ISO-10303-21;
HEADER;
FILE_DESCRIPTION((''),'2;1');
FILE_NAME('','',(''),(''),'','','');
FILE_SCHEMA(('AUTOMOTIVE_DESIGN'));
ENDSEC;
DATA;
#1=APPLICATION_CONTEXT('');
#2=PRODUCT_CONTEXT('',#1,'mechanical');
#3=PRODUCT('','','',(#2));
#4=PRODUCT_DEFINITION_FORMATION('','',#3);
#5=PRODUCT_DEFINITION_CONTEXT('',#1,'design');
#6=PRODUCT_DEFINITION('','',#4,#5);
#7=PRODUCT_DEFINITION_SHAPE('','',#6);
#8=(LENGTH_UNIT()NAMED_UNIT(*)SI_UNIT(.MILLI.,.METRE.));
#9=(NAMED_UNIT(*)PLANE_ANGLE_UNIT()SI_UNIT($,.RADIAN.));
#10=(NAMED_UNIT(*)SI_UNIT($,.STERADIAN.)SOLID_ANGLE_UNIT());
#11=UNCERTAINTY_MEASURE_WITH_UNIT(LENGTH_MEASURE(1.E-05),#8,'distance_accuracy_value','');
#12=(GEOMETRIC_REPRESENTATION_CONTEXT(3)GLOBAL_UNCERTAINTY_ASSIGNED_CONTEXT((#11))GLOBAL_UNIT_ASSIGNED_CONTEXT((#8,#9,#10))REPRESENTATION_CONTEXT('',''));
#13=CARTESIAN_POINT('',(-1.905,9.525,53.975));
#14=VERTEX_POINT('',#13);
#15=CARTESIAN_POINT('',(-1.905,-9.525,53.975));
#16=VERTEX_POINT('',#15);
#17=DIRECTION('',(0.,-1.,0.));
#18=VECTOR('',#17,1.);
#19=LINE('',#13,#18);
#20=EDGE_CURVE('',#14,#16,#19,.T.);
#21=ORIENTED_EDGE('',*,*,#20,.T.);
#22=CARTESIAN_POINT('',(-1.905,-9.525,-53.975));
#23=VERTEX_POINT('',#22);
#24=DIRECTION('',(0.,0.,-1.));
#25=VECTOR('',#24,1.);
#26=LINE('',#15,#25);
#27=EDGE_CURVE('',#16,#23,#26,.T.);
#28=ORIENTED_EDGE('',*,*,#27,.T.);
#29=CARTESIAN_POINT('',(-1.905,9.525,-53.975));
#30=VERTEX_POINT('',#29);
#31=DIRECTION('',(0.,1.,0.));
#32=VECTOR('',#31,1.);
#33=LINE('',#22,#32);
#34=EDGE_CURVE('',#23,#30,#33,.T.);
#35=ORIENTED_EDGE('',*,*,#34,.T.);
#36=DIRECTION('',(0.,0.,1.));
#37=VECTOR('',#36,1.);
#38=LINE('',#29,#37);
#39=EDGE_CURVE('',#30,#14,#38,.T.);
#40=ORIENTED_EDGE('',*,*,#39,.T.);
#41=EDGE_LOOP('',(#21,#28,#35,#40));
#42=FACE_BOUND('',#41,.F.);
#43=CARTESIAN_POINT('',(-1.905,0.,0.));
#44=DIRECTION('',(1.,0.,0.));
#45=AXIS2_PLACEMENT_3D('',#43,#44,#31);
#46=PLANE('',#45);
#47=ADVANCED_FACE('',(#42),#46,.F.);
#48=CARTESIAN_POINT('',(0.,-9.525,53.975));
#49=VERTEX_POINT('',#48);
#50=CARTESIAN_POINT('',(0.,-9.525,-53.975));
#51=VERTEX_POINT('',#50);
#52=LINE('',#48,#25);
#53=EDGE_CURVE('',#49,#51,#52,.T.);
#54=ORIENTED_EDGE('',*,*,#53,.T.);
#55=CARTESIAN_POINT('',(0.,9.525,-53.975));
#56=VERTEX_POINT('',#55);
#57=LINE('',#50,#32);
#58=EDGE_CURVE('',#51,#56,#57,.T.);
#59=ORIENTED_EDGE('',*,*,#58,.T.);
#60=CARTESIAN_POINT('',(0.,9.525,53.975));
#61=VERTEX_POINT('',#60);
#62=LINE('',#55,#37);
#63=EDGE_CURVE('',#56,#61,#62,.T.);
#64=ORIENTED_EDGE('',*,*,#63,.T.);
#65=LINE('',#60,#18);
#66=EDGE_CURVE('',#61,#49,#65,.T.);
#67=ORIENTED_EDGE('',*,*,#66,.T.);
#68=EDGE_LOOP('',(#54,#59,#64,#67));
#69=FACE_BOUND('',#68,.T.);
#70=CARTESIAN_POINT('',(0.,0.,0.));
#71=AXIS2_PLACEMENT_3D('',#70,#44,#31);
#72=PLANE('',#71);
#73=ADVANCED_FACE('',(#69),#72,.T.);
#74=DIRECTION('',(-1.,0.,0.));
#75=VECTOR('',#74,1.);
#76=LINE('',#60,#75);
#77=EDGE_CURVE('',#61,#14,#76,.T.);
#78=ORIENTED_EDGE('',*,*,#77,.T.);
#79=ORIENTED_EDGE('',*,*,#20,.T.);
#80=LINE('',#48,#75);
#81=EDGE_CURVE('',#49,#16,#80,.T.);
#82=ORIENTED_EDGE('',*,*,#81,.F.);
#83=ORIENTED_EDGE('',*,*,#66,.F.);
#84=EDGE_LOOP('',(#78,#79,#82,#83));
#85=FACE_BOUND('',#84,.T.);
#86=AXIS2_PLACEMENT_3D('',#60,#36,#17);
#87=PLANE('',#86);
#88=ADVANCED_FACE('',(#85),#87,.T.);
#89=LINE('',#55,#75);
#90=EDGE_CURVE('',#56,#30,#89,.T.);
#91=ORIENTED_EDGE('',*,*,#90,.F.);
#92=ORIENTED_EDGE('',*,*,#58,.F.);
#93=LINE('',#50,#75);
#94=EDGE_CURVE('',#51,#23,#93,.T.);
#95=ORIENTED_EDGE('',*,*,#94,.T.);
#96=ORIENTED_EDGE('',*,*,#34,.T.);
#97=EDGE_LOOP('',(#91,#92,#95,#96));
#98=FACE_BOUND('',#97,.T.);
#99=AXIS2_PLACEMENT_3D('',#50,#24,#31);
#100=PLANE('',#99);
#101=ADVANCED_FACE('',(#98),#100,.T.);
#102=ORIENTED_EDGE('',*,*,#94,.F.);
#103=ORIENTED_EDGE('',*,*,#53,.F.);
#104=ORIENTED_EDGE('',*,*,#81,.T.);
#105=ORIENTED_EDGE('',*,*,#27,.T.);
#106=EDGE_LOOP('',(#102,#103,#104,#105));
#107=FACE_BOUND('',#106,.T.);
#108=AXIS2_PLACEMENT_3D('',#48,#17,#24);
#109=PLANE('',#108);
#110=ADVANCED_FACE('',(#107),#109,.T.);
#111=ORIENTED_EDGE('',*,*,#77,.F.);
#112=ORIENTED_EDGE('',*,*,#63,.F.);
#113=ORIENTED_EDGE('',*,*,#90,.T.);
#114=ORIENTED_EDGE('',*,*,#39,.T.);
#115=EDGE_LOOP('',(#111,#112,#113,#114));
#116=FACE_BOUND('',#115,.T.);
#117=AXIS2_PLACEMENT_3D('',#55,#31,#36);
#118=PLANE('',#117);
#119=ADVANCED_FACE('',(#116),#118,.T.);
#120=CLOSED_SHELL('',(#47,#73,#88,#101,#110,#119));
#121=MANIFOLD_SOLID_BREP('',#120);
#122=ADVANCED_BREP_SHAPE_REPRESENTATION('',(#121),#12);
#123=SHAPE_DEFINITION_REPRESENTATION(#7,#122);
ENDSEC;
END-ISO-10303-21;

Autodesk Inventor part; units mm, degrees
ref_plane "YZ Plane" through (0, 0, 0) normal (1, 0, 0) x (0, 1, 0)
ref_plane "XZ Plane" through (0, 0, 0) normal (0, 1, 0) x (-1, 0, 0)
ref_plane "XY Plane" through (0, 0, 0) normal (0, 0, 1) x (1, 0, 0)
sketch "Sketch1" plane through (0, 0, 0) normal (1, 0, 0) x (0, 1, 0)
  line L0 (-9.525, 53.975) -> (-9.525, -53.975)
  line L1 (-9.525, -53.975) -> (9.525, -53.975)
  line L2 (9.525, -53.975) -> (9.525, 53.975)
  line L3 (9.525, 53.975) -> (-9.525, 53.975)
  line L4 (-9.525, 53.975) -> (9.525, -53.975) construction
  line L5 (-9.525, -53.975) -> (9.525, 53.975) construction
  point P0 (0, 0)
  dimension "d2" = 19.05
  dimension "d3" = 107.95
extrude "Extrusion1" add sketch "Sketch1" against normal blind 1.905
properties part number "backPlate" material "PC/ABS Plastic"
